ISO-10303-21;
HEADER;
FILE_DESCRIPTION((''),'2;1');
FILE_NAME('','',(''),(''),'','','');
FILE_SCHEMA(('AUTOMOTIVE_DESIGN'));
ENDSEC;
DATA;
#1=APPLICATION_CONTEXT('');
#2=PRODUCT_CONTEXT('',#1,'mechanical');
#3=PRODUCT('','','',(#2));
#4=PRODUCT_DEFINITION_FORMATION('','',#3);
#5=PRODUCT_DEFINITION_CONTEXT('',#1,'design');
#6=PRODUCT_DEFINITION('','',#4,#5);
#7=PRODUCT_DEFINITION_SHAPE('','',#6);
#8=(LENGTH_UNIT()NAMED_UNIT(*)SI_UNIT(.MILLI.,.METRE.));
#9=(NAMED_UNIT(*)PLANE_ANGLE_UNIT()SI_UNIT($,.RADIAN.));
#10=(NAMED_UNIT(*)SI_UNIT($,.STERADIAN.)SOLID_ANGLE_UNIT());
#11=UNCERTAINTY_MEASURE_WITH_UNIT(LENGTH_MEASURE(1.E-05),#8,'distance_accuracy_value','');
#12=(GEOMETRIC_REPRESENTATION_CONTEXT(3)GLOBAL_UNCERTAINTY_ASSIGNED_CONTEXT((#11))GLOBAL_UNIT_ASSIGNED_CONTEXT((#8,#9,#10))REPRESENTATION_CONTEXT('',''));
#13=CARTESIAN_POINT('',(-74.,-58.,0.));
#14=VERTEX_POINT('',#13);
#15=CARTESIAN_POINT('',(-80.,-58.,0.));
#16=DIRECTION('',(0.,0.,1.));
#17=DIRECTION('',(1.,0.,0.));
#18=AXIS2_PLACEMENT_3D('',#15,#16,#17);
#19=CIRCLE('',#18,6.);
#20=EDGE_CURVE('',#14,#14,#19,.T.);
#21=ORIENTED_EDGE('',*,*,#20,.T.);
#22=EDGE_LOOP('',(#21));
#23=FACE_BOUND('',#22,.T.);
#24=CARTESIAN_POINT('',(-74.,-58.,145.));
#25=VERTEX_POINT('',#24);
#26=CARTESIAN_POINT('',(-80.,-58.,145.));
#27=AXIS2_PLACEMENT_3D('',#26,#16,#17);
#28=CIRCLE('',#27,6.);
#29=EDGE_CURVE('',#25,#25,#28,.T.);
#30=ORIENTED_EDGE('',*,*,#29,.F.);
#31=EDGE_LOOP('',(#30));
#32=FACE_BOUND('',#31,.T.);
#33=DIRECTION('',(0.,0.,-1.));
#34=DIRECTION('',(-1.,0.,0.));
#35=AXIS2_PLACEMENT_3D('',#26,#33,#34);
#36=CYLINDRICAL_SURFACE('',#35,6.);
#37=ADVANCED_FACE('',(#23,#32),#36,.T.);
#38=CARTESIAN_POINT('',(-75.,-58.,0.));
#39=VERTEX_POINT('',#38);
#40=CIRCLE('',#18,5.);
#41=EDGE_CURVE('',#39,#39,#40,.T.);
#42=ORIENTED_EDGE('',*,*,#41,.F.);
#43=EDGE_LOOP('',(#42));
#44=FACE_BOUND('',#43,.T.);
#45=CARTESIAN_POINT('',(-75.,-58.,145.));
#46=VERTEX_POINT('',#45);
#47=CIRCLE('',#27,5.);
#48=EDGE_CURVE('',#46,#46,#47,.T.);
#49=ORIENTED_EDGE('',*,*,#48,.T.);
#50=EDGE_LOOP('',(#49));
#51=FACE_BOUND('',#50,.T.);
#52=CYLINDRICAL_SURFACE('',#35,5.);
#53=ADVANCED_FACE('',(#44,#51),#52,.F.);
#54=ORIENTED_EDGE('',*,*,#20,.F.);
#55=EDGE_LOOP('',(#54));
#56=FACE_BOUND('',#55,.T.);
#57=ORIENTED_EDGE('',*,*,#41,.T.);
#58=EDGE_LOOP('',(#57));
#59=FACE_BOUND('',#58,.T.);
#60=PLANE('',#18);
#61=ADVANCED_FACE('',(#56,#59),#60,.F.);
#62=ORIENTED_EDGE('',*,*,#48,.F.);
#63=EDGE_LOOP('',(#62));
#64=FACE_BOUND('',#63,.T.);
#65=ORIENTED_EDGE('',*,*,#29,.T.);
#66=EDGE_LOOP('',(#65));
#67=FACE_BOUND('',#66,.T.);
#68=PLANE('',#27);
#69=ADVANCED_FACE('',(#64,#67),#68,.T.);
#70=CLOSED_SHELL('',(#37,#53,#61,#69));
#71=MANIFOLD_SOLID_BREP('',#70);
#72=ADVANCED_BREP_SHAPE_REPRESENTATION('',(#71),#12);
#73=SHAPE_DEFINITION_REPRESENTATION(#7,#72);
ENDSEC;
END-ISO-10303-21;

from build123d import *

# Parameters (mm, degrees)
SKETCH1_R           = 6
SKETCH1_R_2         = 5
BOSS_EXTRUDE1_DEPTH = 145


with BuildPart() as part:
    # Sketch1 → Boss-Extrude1 (new body)
    with BuildSketch(Plane.XY):
        with Locations((-80, -58)):
            Circle(SKETCH1_R)
        with Locations((-80, -58)):
            Circle(SKETCH1_R_2, mode=Mode.SUBTRACT)
    extrude(amount=BOSS_EXTRUDE1_DEPTH)


solid = part.part
